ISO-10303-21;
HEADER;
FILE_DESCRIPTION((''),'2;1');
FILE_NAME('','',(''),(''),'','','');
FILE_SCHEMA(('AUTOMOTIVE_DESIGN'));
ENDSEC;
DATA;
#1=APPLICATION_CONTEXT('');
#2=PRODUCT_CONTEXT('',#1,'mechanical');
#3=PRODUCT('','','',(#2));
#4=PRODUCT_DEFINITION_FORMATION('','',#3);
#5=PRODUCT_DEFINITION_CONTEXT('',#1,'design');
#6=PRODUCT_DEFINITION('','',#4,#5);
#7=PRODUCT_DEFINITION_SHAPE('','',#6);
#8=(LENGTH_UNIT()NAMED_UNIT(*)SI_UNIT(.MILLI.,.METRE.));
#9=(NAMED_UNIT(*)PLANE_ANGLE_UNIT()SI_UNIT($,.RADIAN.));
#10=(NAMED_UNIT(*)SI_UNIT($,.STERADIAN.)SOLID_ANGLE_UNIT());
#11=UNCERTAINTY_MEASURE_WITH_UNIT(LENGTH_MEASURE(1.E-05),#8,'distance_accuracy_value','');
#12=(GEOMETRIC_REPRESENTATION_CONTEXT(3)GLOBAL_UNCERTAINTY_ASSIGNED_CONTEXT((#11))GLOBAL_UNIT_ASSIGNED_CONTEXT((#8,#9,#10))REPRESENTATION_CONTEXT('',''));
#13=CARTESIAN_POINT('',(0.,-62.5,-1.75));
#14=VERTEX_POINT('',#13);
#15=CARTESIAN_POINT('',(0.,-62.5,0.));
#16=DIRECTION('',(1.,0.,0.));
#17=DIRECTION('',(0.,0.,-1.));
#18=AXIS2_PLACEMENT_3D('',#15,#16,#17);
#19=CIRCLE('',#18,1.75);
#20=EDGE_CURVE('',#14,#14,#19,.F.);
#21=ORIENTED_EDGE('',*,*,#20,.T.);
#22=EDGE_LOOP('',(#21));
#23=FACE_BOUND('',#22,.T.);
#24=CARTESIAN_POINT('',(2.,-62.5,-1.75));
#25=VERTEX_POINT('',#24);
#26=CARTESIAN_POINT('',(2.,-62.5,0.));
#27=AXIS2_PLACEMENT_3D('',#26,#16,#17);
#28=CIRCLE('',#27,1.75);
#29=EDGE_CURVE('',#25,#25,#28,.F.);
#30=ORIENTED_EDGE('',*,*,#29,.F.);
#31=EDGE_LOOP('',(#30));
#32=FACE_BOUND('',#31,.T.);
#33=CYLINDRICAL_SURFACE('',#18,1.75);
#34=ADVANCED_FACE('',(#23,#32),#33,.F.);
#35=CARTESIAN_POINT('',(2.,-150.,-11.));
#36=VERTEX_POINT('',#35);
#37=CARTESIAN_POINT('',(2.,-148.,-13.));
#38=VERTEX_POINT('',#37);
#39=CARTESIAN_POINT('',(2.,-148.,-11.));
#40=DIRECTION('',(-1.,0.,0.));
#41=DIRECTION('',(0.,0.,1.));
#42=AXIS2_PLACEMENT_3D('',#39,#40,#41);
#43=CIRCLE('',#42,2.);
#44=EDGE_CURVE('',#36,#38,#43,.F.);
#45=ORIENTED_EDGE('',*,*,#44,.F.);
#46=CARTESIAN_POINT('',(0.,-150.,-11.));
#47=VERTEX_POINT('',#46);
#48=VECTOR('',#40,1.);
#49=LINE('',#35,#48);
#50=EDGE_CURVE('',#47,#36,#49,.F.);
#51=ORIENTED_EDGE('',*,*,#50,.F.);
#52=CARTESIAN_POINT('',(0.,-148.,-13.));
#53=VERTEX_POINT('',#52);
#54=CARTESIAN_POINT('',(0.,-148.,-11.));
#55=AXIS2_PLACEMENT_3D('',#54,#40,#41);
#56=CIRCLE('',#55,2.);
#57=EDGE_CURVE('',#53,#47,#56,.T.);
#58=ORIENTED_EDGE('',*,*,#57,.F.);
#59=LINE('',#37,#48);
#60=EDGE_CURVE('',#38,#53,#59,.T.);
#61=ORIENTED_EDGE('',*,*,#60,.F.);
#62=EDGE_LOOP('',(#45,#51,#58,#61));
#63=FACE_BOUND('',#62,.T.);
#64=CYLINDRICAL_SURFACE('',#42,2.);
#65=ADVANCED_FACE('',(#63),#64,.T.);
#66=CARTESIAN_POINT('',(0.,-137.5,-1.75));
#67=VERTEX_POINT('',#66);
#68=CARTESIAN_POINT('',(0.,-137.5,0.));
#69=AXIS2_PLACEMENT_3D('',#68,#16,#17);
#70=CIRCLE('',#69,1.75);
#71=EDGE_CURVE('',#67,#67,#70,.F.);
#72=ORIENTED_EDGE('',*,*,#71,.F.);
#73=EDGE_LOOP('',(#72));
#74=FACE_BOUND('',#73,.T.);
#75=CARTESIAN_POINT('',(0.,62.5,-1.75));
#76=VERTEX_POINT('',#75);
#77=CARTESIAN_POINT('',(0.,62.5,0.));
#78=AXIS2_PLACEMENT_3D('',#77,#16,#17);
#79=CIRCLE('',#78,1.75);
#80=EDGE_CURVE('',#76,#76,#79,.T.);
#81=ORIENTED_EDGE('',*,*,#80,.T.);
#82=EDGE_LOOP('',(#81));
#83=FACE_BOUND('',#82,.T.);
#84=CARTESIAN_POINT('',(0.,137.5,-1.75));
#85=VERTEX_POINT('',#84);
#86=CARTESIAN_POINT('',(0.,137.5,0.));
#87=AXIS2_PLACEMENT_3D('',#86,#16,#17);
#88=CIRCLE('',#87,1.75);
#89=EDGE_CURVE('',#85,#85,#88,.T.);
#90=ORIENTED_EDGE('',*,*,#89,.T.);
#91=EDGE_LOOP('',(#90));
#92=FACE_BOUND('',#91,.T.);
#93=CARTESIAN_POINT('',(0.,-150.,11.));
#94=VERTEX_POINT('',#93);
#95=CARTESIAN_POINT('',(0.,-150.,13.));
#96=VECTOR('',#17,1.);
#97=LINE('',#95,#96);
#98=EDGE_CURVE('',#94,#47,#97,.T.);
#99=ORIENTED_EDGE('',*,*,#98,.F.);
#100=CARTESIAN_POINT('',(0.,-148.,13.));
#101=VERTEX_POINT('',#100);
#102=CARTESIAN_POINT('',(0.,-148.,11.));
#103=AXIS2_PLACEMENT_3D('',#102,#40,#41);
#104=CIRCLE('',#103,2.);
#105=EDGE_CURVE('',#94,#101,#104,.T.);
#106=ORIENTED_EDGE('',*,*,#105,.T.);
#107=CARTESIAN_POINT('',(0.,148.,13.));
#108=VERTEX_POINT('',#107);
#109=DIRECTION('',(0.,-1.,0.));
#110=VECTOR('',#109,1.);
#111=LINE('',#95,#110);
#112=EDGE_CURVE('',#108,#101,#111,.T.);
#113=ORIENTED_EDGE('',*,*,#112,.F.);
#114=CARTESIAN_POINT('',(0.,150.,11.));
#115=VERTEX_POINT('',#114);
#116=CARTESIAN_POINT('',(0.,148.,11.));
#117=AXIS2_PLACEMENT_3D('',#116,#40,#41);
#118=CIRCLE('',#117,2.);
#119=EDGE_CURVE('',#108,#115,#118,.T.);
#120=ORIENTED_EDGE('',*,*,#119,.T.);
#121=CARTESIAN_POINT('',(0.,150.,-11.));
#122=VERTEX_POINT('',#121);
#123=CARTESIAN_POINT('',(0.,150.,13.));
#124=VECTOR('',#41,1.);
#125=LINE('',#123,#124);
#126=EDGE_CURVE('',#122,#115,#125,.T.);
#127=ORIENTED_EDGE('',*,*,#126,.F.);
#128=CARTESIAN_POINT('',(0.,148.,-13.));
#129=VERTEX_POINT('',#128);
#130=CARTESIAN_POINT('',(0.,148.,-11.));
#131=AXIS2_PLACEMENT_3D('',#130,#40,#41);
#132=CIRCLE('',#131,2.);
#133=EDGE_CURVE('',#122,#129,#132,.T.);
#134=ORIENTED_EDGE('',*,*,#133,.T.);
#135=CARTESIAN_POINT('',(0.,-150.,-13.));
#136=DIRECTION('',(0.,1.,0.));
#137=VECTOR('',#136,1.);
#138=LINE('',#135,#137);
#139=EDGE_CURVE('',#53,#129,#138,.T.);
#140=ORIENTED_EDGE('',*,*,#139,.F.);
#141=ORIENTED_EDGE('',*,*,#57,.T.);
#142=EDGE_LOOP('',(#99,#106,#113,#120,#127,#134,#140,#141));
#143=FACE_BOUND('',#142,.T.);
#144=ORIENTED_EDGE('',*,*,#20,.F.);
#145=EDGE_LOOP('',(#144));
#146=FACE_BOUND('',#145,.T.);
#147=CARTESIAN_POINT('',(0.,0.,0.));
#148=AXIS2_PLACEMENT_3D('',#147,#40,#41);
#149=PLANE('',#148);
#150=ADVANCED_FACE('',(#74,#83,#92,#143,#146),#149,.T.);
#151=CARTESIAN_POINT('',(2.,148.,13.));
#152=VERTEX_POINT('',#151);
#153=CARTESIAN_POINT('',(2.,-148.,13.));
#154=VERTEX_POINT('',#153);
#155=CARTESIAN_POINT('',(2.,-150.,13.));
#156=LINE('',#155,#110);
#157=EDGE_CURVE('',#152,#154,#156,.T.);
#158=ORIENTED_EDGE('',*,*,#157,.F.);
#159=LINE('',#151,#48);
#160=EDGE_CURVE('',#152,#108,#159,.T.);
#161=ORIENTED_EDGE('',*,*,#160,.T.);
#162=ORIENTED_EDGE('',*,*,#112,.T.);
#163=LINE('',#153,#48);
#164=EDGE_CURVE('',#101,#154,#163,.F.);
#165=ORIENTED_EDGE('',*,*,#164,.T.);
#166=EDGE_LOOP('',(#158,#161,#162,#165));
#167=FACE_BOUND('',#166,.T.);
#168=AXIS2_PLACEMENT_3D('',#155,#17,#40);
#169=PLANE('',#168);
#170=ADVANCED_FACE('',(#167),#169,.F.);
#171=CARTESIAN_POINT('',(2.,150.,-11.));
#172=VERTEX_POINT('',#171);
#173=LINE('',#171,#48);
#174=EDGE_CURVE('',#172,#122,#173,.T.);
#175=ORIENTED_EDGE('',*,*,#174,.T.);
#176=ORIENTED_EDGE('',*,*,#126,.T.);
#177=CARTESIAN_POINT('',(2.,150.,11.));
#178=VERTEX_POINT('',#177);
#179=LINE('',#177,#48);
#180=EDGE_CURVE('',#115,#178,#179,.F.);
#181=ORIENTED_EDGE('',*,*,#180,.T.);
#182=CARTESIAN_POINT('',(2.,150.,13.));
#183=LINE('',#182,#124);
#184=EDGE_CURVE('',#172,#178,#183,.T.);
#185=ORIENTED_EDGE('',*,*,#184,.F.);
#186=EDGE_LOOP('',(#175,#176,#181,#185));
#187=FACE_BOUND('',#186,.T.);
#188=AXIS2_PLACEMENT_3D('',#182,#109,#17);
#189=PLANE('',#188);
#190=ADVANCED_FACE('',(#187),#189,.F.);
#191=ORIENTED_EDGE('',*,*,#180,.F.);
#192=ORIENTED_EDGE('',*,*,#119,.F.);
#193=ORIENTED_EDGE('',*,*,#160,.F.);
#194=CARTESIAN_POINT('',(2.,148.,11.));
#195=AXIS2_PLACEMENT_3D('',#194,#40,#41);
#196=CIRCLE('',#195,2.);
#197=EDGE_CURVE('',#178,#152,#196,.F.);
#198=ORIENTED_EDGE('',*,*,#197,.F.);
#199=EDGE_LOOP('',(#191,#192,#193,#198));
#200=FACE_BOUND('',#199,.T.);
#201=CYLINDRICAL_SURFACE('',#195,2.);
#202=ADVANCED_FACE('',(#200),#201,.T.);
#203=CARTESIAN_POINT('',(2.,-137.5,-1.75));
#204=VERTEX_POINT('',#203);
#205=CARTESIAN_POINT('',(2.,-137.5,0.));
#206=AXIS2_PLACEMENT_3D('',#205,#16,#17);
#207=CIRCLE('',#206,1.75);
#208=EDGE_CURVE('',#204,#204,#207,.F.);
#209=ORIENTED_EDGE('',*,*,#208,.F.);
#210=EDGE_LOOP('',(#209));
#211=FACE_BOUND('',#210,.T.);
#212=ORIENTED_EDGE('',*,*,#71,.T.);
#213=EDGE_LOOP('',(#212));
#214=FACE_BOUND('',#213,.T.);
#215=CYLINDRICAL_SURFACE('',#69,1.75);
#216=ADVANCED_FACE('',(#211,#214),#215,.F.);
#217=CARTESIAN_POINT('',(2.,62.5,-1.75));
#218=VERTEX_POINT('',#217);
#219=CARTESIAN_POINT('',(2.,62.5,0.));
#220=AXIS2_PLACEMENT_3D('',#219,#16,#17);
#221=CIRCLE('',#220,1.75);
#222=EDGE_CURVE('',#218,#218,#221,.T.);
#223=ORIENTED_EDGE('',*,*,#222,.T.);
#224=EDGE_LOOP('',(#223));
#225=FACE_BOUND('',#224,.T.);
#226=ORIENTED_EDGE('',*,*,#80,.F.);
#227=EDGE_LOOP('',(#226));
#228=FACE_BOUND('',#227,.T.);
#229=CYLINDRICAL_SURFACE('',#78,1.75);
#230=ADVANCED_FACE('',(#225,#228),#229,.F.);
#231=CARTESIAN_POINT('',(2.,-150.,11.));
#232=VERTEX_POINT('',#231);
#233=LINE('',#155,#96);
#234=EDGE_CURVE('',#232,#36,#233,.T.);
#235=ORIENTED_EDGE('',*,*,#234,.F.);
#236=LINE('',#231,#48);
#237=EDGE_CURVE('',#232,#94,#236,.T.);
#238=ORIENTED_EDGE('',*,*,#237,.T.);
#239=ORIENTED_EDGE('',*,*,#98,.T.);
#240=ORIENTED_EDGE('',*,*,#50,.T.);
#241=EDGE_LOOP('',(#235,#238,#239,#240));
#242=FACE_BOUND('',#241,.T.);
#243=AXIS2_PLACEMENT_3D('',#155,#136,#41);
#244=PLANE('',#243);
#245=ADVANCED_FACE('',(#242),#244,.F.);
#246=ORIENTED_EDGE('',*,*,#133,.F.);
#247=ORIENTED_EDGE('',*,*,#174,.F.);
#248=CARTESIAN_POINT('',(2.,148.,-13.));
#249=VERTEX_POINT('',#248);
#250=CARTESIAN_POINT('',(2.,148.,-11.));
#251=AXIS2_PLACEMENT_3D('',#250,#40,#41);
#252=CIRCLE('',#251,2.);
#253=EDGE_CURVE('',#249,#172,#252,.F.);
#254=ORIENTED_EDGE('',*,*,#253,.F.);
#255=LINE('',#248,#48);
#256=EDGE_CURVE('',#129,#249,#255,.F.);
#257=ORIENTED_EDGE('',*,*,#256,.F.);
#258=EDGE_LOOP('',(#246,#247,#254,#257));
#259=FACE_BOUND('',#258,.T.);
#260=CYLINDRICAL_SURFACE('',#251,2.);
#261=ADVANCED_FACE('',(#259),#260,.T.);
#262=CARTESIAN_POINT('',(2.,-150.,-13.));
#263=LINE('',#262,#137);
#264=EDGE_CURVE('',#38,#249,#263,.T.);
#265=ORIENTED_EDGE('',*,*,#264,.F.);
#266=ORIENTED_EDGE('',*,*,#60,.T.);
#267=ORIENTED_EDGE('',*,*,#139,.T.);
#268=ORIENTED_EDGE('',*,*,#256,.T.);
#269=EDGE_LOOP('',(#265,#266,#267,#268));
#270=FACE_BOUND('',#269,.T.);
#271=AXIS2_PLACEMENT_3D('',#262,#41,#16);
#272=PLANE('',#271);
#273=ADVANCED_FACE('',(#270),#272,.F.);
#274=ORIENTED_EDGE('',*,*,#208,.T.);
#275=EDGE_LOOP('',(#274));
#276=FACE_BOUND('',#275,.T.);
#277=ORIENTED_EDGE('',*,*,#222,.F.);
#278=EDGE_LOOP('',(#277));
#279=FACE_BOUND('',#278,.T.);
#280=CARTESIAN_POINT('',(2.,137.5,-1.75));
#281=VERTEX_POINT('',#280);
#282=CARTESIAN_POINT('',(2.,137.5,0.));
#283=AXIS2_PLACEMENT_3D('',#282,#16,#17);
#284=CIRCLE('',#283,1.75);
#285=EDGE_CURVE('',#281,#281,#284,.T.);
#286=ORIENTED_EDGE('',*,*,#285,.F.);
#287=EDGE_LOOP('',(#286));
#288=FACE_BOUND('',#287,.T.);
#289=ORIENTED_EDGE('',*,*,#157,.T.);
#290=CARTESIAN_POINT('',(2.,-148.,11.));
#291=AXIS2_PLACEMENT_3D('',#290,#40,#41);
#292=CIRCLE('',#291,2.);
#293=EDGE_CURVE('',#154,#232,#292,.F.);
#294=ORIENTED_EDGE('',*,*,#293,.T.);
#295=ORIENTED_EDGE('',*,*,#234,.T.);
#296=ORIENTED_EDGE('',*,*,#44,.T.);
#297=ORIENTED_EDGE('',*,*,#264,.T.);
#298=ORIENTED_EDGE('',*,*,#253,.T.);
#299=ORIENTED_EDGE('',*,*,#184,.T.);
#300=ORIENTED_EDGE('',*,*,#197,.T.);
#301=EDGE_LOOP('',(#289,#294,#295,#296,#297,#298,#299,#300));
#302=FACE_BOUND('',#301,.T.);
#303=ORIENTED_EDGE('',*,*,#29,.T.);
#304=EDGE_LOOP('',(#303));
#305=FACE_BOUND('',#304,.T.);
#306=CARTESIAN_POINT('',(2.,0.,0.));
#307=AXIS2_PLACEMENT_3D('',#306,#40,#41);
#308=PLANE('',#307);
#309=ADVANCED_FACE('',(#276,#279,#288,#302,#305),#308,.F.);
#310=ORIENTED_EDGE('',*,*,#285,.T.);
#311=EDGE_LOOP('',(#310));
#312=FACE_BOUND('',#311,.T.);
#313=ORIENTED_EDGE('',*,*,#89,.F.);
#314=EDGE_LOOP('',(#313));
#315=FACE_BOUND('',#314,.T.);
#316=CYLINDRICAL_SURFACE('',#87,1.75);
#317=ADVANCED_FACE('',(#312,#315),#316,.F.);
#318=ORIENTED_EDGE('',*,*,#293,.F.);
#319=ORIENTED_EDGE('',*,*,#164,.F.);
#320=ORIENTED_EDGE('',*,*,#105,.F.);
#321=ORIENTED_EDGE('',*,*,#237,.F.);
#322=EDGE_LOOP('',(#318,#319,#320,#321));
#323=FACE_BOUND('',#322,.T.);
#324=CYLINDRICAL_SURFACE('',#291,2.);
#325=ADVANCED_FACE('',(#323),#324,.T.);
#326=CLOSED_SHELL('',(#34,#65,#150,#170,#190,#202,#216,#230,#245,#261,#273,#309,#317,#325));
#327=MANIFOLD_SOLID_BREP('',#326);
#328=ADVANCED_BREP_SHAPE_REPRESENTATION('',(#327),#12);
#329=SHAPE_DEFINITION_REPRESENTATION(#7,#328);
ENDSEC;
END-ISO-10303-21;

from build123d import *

# Parameters (mm, degrees)
SKETCH1_W           = 26
SKETCH1_H           = 300
BOSS_EXTRUDE1_DEPTH = 2
FILLET1_R           = 2
SKETCH2_R           = 1.75
CUT_EXTRUDE1_DEPTH  = 151.575562426


with BuildPart() as part:
    # Sketch1 → Boss-Extrude1 (new body)
    with BuildSketch(Plane(origin=(0, 0, 0), x_dir=(0, 0, -1), z_dir=(1, 0, 0))):
        Rectangle(SKETCH1_W, SKETCH1_H)
    extrude(amount=BOSS_EXTRUDE1_DEPTH)

    # Fillet1
    fillet1_edges = [part.edges().sort_by_distance(p)[0] for p in [
        (1, -150, -13),
        (1, -150, 13),
        (1, 150, 13),
        (1, 150, -13),
    ]]
    fillet(fillet1_edges, radius=FILLET1_R)

    # Sketch2 → Cut-Extrude1 (cut, through all)
    with BuildSketch(Plane(origin=(2, 0, 0), x_dir=(0, 0, -1), z_dir=(1, 0, 0))):
        with Locations((0, -137.5)):
            Circle(SKETCH2_R)
        with Locations((0, -62.5)):
            Circle(SKETCH2_R)
        with Locations((0, 62.5)):
            Circle(SKETCH2_R)
        with Locations((0, 137.5)):
            Circle(SKETCH2_R)
    extrude(amount=-CUT_EXTRUDE1_DEPTH, mode=Mode.SUBTRACT)


solid = part.part
